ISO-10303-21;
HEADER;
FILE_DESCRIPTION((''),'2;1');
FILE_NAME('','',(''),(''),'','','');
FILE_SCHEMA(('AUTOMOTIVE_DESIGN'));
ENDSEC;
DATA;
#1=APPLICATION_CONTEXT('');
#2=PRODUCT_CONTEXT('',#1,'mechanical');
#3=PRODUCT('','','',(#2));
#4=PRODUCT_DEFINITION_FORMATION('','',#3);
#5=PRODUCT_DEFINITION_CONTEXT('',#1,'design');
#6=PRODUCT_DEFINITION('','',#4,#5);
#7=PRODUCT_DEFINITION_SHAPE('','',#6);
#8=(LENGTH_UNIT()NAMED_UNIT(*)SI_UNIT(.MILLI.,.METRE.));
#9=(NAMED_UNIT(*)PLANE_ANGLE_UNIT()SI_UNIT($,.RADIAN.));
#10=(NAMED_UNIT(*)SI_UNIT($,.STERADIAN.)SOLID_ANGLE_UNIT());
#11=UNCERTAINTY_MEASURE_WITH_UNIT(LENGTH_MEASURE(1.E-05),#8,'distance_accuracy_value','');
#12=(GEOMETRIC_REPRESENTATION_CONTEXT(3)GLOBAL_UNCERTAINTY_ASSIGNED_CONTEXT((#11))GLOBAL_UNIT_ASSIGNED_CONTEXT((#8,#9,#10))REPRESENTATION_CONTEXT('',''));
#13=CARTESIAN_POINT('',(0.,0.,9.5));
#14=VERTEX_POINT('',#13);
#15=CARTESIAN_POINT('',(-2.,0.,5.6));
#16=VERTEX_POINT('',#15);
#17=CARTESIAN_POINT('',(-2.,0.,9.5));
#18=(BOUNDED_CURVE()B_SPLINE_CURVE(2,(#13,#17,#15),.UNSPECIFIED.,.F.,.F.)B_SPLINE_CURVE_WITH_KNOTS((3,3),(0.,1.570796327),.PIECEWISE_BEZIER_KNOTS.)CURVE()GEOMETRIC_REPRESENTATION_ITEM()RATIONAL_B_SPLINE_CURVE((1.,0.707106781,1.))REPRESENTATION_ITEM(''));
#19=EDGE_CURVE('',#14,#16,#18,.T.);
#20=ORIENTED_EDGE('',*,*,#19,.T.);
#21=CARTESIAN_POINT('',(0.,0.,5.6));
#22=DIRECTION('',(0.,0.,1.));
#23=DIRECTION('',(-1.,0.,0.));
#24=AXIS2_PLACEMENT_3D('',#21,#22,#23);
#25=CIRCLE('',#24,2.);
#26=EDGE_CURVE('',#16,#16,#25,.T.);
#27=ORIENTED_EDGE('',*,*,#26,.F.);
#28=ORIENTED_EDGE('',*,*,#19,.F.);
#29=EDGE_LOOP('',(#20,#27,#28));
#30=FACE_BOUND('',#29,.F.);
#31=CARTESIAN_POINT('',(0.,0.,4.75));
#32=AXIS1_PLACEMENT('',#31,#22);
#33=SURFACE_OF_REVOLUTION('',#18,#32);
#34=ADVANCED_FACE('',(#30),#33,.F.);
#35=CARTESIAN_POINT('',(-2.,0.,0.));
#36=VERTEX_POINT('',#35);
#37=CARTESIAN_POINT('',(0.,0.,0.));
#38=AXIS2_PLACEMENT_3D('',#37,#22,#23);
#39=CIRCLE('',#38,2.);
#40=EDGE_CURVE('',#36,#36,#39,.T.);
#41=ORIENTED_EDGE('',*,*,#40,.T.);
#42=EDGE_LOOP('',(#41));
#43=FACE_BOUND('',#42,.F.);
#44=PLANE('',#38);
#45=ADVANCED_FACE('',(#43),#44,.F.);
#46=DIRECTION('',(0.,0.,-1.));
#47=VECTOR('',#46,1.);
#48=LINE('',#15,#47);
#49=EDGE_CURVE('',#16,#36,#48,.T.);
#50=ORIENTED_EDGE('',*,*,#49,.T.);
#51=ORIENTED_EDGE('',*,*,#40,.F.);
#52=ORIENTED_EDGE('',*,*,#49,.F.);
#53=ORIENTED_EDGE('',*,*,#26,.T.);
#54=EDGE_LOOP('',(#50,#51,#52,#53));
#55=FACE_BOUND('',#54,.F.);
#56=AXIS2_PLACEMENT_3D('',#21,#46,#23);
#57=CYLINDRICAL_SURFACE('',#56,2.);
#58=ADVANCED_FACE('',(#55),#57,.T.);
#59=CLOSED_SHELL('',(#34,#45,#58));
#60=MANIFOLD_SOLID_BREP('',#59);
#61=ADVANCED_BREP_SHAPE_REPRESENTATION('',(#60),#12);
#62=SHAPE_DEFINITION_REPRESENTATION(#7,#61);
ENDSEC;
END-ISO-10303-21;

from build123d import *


with BuildPart() as f1:
    # F0 (on Front) → F1 (revolve)
    with BuildSketch(Plane.XZ):
        with BuildLine():
            Line((0, 0), (0, 9.5))
            add(Edge.make_bspline(
                [(0, 9.5), (-2, 9.5), (-2, 5.6)],
                knots=[0, 0, 0, 1.5707963268, 1.5707963268, 1.5707963268], degree=2, weights=[1, 0.7071067812, 1]))
            Line((-2, 5.6), (-2, 0))
            Line((-2, 0), (0, 0))
        make_face()
    revolve(axis=Axis((0, 0, 4.75), (0, 0, 1)))


solid = f1.part
